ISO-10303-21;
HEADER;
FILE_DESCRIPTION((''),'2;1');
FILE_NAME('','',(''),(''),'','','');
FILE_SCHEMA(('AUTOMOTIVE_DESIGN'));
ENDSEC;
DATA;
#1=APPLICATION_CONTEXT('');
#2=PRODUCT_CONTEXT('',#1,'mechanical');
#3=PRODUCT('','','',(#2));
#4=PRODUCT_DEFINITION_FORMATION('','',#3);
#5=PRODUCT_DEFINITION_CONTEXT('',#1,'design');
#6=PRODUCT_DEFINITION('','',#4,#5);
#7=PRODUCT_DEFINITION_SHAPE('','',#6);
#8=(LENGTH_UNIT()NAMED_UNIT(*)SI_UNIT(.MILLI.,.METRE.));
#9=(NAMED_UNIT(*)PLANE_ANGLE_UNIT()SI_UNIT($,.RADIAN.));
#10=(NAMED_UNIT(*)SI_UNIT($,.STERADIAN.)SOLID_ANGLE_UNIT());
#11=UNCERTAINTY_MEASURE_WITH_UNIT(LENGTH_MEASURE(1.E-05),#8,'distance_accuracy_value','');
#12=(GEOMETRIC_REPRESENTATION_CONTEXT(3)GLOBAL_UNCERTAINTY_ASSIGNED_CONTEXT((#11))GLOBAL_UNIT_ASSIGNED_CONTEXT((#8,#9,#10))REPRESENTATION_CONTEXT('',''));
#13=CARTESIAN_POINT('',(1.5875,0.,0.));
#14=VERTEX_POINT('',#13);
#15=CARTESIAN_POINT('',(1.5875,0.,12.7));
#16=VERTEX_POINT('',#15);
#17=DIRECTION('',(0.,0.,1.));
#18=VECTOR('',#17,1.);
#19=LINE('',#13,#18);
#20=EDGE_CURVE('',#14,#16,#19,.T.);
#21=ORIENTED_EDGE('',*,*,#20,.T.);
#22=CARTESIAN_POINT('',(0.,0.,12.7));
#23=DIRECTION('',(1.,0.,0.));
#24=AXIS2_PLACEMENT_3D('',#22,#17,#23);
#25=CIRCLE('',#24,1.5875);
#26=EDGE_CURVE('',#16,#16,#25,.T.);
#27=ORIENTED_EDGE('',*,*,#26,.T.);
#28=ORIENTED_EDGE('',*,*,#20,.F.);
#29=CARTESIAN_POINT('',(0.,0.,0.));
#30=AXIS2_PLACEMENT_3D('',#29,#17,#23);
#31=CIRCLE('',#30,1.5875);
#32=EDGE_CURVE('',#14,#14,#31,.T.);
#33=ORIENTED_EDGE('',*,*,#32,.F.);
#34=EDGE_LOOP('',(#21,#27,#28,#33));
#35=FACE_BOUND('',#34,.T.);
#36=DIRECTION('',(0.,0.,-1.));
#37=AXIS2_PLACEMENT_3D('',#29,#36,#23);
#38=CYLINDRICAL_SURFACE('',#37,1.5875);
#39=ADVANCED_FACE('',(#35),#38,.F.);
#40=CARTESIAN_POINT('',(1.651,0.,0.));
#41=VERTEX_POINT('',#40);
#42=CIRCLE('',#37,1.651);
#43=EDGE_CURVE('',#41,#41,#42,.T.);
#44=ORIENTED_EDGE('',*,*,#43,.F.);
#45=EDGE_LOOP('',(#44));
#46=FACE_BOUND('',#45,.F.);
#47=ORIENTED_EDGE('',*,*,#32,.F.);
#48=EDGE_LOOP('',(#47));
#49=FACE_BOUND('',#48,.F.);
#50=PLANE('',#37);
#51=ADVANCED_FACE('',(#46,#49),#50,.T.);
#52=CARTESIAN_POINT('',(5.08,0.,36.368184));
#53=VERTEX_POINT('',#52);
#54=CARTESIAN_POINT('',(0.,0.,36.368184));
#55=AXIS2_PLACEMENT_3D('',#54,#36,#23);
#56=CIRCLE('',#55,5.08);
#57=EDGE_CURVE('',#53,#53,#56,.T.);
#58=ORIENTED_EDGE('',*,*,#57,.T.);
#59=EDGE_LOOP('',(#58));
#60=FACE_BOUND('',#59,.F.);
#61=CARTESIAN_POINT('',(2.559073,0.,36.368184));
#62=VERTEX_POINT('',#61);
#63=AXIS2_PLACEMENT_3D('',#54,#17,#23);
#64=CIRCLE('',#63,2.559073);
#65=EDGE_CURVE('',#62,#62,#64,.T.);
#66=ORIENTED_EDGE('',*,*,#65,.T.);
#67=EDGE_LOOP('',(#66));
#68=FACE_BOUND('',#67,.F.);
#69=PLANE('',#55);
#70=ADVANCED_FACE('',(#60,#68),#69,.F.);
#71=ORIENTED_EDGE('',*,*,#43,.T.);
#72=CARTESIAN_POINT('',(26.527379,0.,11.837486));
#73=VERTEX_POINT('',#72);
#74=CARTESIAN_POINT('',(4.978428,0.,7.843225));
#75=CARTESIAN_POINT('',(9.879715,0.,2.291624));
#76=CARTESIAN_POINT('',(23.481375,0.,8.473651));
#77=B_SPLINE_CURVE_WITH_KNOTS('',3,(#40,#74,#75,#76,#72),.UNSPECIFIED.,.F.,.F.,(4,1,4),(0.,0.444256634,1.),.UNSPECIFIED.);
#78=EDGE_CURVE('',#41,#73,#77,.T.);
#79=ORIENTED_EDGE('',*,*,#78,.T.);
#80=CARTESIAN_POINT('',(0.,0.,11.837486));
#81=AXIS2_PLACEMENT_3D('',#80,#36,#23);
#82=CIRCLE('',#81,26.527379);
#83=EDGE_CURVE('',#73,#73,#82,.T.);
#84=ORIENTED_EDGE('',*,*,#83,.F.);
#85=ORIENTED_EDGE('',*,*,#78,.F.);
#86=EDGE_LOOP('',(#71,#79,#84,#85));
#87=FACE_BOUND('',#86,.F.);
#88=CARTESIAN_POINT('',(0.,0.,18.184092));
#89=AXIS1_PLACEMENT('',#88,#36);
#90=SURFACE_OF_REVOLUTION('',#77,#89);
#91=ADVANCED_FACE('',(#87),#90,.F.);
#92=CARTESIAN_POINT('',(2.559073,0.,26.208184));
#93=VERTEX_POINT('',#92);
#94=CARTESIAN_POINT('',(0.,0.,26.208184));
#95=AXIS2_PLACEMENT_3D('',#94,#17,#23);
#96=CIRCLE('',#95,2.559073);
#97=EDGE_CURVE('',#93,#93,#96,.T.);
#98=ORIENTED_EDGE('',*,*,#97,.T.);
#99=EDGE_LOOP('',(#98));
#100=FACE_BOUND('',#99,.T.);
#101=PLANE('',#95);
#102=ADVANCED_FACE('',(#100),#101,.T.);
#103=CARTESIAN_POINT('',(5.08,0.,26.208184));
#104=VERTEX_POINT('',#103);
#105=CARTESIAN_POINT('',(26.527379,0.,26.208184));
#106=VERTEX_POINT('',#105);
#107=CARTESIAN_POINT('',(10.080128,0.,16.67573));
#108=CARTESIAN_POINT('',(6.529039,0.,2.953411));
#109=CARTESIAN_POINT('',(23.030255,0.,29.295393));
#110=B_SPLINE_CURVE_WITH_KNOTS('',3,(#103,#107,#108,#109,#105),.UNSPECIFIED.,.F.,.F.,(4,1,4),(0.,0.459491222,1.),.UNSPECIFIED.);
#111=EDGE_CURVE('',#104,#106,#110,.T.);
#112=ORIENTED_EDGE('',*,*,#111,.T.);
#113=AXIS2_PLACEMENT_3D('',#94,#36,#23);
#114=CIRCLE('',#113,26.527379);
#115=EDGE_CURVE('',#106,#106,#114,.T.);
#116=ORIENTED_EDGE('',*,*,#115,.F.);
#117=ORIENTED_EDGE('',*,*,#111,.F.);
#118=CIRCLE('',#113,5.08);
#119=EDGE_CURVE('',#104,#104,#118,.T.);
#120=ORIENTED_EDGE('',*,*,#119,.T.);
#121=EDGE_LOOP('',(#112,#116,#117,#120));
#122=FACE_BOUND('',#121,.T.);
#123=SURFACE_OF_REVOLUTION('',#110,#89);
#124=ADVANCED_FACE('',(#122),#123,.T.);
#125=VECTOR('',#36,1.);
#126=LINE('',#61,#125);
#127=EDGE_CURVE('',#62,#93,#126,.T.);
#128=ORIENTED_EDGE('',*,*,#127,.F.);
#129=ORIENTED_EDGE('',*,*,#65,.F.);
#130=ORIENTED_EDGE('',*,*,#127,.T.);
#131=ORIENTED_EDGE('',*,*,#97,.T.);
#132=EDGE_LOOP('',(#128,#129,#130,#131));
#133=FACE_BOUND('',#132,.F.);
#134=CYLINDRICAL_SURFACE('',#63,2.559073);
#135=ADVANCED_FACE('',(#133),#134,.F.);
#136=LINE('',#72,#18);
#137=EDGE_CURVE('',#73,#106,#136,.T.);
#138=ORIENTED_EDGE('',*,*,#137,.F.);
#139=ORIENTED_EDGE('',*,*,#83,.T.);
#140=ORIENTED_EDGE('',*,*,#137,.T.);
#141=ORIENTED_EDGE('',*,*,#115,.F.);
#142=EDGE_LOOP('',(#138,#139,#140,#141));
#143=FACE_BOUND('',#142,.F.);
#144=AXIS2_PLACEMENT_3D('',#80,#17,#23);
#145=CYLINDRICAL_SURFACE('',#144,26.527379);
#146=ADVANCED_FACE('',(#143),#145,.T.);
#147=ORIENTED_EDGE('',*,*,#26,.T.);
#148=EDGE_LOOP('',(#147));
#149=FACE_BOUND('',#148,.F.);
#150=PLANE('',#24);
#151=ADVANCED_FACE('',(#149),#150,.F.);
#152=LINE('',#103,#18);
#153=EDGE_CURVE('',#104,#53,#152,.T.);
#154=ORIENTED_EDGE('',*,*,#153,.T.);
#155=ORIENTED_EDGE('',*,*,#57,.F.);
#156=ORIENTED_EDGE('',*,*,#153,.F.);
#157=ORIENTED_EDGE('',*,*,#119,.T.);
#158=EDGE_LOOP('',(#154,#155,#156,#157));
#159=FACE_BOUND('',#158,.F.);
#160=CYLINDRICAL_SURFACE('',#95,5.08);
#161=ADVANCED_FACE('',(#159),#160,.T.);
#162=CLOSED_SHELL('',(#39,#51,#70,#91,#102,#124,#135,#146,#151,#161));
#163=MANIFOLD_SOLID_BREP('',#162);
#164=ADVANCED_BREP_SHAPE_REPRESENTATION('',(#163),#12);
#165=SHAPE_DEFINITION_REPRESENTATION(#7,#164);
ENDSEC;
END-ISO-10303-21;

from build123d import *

# Parameters (mm, degrees)
F2_R     = 2.5590732694
F3_DEPTH = 10.16
F4_R     = 1.5875
F5_DEPTH = 12.7


with BuildPart() as f1:
    # F0 (on Front) → F1 (revolve)
    with BuildSketch(Plane.XZ):
        with BuildLine():
            Line((0, 36.3681837916), (0, 0))
            Line((0, 0), (1.651, 0))
            add(Edge.make_bspline(
                [(1.651, 0), (4.9784278335, 7.8432246905), (9.8797152031, 2.2916243739), (23.4813746273, 8.4736508016), (26.5273787081, 11.8374861777)],
                knots=[0, 0, 0, 0, 0.4442566338, 1, 1, 1, 1], degree=3))
            Line((26.5273787081, 11.8374861777), (26.5273787081, 26.2081837916))
            add(Edge.make_bspline(
                [(5.08, 26.2081837916), (10.0801282924, 16.6757298148), (6.5290390026, 2.9534107183), (23.0302548553, 29.295393126), (26.5273787081, 26.2081837916)],
                knots=[0, 0, 0, 0, 0.4594912223, 1, 1, 1, 1], degree=3))
            Line((5.08, 26.2081837916), (5.08, 36.3681837916))
            Line((5.08, 36.3681837916), (0, 36.3681837916))
        make_face()
    revolve(axis=Axis((0, 0, 18.1840918958), (0, 0, -1)))

    # F2 (on face) → F3 (cut)
    with BuildSketch(Plane.XY.offset(36.3681837916)):
        Circle(F2_R)
    extrude(amount=-F3_DEPTH, mode=Mode.SUBTRACT)

    # F4 (on Top) → F5 (cut)
    with BuildSketch(Plane.XY):
        Circle(F4_R)
    extrude(amount=F5_DEPTH, mode=Mode.SUBTRACT)


solid = f1.part
